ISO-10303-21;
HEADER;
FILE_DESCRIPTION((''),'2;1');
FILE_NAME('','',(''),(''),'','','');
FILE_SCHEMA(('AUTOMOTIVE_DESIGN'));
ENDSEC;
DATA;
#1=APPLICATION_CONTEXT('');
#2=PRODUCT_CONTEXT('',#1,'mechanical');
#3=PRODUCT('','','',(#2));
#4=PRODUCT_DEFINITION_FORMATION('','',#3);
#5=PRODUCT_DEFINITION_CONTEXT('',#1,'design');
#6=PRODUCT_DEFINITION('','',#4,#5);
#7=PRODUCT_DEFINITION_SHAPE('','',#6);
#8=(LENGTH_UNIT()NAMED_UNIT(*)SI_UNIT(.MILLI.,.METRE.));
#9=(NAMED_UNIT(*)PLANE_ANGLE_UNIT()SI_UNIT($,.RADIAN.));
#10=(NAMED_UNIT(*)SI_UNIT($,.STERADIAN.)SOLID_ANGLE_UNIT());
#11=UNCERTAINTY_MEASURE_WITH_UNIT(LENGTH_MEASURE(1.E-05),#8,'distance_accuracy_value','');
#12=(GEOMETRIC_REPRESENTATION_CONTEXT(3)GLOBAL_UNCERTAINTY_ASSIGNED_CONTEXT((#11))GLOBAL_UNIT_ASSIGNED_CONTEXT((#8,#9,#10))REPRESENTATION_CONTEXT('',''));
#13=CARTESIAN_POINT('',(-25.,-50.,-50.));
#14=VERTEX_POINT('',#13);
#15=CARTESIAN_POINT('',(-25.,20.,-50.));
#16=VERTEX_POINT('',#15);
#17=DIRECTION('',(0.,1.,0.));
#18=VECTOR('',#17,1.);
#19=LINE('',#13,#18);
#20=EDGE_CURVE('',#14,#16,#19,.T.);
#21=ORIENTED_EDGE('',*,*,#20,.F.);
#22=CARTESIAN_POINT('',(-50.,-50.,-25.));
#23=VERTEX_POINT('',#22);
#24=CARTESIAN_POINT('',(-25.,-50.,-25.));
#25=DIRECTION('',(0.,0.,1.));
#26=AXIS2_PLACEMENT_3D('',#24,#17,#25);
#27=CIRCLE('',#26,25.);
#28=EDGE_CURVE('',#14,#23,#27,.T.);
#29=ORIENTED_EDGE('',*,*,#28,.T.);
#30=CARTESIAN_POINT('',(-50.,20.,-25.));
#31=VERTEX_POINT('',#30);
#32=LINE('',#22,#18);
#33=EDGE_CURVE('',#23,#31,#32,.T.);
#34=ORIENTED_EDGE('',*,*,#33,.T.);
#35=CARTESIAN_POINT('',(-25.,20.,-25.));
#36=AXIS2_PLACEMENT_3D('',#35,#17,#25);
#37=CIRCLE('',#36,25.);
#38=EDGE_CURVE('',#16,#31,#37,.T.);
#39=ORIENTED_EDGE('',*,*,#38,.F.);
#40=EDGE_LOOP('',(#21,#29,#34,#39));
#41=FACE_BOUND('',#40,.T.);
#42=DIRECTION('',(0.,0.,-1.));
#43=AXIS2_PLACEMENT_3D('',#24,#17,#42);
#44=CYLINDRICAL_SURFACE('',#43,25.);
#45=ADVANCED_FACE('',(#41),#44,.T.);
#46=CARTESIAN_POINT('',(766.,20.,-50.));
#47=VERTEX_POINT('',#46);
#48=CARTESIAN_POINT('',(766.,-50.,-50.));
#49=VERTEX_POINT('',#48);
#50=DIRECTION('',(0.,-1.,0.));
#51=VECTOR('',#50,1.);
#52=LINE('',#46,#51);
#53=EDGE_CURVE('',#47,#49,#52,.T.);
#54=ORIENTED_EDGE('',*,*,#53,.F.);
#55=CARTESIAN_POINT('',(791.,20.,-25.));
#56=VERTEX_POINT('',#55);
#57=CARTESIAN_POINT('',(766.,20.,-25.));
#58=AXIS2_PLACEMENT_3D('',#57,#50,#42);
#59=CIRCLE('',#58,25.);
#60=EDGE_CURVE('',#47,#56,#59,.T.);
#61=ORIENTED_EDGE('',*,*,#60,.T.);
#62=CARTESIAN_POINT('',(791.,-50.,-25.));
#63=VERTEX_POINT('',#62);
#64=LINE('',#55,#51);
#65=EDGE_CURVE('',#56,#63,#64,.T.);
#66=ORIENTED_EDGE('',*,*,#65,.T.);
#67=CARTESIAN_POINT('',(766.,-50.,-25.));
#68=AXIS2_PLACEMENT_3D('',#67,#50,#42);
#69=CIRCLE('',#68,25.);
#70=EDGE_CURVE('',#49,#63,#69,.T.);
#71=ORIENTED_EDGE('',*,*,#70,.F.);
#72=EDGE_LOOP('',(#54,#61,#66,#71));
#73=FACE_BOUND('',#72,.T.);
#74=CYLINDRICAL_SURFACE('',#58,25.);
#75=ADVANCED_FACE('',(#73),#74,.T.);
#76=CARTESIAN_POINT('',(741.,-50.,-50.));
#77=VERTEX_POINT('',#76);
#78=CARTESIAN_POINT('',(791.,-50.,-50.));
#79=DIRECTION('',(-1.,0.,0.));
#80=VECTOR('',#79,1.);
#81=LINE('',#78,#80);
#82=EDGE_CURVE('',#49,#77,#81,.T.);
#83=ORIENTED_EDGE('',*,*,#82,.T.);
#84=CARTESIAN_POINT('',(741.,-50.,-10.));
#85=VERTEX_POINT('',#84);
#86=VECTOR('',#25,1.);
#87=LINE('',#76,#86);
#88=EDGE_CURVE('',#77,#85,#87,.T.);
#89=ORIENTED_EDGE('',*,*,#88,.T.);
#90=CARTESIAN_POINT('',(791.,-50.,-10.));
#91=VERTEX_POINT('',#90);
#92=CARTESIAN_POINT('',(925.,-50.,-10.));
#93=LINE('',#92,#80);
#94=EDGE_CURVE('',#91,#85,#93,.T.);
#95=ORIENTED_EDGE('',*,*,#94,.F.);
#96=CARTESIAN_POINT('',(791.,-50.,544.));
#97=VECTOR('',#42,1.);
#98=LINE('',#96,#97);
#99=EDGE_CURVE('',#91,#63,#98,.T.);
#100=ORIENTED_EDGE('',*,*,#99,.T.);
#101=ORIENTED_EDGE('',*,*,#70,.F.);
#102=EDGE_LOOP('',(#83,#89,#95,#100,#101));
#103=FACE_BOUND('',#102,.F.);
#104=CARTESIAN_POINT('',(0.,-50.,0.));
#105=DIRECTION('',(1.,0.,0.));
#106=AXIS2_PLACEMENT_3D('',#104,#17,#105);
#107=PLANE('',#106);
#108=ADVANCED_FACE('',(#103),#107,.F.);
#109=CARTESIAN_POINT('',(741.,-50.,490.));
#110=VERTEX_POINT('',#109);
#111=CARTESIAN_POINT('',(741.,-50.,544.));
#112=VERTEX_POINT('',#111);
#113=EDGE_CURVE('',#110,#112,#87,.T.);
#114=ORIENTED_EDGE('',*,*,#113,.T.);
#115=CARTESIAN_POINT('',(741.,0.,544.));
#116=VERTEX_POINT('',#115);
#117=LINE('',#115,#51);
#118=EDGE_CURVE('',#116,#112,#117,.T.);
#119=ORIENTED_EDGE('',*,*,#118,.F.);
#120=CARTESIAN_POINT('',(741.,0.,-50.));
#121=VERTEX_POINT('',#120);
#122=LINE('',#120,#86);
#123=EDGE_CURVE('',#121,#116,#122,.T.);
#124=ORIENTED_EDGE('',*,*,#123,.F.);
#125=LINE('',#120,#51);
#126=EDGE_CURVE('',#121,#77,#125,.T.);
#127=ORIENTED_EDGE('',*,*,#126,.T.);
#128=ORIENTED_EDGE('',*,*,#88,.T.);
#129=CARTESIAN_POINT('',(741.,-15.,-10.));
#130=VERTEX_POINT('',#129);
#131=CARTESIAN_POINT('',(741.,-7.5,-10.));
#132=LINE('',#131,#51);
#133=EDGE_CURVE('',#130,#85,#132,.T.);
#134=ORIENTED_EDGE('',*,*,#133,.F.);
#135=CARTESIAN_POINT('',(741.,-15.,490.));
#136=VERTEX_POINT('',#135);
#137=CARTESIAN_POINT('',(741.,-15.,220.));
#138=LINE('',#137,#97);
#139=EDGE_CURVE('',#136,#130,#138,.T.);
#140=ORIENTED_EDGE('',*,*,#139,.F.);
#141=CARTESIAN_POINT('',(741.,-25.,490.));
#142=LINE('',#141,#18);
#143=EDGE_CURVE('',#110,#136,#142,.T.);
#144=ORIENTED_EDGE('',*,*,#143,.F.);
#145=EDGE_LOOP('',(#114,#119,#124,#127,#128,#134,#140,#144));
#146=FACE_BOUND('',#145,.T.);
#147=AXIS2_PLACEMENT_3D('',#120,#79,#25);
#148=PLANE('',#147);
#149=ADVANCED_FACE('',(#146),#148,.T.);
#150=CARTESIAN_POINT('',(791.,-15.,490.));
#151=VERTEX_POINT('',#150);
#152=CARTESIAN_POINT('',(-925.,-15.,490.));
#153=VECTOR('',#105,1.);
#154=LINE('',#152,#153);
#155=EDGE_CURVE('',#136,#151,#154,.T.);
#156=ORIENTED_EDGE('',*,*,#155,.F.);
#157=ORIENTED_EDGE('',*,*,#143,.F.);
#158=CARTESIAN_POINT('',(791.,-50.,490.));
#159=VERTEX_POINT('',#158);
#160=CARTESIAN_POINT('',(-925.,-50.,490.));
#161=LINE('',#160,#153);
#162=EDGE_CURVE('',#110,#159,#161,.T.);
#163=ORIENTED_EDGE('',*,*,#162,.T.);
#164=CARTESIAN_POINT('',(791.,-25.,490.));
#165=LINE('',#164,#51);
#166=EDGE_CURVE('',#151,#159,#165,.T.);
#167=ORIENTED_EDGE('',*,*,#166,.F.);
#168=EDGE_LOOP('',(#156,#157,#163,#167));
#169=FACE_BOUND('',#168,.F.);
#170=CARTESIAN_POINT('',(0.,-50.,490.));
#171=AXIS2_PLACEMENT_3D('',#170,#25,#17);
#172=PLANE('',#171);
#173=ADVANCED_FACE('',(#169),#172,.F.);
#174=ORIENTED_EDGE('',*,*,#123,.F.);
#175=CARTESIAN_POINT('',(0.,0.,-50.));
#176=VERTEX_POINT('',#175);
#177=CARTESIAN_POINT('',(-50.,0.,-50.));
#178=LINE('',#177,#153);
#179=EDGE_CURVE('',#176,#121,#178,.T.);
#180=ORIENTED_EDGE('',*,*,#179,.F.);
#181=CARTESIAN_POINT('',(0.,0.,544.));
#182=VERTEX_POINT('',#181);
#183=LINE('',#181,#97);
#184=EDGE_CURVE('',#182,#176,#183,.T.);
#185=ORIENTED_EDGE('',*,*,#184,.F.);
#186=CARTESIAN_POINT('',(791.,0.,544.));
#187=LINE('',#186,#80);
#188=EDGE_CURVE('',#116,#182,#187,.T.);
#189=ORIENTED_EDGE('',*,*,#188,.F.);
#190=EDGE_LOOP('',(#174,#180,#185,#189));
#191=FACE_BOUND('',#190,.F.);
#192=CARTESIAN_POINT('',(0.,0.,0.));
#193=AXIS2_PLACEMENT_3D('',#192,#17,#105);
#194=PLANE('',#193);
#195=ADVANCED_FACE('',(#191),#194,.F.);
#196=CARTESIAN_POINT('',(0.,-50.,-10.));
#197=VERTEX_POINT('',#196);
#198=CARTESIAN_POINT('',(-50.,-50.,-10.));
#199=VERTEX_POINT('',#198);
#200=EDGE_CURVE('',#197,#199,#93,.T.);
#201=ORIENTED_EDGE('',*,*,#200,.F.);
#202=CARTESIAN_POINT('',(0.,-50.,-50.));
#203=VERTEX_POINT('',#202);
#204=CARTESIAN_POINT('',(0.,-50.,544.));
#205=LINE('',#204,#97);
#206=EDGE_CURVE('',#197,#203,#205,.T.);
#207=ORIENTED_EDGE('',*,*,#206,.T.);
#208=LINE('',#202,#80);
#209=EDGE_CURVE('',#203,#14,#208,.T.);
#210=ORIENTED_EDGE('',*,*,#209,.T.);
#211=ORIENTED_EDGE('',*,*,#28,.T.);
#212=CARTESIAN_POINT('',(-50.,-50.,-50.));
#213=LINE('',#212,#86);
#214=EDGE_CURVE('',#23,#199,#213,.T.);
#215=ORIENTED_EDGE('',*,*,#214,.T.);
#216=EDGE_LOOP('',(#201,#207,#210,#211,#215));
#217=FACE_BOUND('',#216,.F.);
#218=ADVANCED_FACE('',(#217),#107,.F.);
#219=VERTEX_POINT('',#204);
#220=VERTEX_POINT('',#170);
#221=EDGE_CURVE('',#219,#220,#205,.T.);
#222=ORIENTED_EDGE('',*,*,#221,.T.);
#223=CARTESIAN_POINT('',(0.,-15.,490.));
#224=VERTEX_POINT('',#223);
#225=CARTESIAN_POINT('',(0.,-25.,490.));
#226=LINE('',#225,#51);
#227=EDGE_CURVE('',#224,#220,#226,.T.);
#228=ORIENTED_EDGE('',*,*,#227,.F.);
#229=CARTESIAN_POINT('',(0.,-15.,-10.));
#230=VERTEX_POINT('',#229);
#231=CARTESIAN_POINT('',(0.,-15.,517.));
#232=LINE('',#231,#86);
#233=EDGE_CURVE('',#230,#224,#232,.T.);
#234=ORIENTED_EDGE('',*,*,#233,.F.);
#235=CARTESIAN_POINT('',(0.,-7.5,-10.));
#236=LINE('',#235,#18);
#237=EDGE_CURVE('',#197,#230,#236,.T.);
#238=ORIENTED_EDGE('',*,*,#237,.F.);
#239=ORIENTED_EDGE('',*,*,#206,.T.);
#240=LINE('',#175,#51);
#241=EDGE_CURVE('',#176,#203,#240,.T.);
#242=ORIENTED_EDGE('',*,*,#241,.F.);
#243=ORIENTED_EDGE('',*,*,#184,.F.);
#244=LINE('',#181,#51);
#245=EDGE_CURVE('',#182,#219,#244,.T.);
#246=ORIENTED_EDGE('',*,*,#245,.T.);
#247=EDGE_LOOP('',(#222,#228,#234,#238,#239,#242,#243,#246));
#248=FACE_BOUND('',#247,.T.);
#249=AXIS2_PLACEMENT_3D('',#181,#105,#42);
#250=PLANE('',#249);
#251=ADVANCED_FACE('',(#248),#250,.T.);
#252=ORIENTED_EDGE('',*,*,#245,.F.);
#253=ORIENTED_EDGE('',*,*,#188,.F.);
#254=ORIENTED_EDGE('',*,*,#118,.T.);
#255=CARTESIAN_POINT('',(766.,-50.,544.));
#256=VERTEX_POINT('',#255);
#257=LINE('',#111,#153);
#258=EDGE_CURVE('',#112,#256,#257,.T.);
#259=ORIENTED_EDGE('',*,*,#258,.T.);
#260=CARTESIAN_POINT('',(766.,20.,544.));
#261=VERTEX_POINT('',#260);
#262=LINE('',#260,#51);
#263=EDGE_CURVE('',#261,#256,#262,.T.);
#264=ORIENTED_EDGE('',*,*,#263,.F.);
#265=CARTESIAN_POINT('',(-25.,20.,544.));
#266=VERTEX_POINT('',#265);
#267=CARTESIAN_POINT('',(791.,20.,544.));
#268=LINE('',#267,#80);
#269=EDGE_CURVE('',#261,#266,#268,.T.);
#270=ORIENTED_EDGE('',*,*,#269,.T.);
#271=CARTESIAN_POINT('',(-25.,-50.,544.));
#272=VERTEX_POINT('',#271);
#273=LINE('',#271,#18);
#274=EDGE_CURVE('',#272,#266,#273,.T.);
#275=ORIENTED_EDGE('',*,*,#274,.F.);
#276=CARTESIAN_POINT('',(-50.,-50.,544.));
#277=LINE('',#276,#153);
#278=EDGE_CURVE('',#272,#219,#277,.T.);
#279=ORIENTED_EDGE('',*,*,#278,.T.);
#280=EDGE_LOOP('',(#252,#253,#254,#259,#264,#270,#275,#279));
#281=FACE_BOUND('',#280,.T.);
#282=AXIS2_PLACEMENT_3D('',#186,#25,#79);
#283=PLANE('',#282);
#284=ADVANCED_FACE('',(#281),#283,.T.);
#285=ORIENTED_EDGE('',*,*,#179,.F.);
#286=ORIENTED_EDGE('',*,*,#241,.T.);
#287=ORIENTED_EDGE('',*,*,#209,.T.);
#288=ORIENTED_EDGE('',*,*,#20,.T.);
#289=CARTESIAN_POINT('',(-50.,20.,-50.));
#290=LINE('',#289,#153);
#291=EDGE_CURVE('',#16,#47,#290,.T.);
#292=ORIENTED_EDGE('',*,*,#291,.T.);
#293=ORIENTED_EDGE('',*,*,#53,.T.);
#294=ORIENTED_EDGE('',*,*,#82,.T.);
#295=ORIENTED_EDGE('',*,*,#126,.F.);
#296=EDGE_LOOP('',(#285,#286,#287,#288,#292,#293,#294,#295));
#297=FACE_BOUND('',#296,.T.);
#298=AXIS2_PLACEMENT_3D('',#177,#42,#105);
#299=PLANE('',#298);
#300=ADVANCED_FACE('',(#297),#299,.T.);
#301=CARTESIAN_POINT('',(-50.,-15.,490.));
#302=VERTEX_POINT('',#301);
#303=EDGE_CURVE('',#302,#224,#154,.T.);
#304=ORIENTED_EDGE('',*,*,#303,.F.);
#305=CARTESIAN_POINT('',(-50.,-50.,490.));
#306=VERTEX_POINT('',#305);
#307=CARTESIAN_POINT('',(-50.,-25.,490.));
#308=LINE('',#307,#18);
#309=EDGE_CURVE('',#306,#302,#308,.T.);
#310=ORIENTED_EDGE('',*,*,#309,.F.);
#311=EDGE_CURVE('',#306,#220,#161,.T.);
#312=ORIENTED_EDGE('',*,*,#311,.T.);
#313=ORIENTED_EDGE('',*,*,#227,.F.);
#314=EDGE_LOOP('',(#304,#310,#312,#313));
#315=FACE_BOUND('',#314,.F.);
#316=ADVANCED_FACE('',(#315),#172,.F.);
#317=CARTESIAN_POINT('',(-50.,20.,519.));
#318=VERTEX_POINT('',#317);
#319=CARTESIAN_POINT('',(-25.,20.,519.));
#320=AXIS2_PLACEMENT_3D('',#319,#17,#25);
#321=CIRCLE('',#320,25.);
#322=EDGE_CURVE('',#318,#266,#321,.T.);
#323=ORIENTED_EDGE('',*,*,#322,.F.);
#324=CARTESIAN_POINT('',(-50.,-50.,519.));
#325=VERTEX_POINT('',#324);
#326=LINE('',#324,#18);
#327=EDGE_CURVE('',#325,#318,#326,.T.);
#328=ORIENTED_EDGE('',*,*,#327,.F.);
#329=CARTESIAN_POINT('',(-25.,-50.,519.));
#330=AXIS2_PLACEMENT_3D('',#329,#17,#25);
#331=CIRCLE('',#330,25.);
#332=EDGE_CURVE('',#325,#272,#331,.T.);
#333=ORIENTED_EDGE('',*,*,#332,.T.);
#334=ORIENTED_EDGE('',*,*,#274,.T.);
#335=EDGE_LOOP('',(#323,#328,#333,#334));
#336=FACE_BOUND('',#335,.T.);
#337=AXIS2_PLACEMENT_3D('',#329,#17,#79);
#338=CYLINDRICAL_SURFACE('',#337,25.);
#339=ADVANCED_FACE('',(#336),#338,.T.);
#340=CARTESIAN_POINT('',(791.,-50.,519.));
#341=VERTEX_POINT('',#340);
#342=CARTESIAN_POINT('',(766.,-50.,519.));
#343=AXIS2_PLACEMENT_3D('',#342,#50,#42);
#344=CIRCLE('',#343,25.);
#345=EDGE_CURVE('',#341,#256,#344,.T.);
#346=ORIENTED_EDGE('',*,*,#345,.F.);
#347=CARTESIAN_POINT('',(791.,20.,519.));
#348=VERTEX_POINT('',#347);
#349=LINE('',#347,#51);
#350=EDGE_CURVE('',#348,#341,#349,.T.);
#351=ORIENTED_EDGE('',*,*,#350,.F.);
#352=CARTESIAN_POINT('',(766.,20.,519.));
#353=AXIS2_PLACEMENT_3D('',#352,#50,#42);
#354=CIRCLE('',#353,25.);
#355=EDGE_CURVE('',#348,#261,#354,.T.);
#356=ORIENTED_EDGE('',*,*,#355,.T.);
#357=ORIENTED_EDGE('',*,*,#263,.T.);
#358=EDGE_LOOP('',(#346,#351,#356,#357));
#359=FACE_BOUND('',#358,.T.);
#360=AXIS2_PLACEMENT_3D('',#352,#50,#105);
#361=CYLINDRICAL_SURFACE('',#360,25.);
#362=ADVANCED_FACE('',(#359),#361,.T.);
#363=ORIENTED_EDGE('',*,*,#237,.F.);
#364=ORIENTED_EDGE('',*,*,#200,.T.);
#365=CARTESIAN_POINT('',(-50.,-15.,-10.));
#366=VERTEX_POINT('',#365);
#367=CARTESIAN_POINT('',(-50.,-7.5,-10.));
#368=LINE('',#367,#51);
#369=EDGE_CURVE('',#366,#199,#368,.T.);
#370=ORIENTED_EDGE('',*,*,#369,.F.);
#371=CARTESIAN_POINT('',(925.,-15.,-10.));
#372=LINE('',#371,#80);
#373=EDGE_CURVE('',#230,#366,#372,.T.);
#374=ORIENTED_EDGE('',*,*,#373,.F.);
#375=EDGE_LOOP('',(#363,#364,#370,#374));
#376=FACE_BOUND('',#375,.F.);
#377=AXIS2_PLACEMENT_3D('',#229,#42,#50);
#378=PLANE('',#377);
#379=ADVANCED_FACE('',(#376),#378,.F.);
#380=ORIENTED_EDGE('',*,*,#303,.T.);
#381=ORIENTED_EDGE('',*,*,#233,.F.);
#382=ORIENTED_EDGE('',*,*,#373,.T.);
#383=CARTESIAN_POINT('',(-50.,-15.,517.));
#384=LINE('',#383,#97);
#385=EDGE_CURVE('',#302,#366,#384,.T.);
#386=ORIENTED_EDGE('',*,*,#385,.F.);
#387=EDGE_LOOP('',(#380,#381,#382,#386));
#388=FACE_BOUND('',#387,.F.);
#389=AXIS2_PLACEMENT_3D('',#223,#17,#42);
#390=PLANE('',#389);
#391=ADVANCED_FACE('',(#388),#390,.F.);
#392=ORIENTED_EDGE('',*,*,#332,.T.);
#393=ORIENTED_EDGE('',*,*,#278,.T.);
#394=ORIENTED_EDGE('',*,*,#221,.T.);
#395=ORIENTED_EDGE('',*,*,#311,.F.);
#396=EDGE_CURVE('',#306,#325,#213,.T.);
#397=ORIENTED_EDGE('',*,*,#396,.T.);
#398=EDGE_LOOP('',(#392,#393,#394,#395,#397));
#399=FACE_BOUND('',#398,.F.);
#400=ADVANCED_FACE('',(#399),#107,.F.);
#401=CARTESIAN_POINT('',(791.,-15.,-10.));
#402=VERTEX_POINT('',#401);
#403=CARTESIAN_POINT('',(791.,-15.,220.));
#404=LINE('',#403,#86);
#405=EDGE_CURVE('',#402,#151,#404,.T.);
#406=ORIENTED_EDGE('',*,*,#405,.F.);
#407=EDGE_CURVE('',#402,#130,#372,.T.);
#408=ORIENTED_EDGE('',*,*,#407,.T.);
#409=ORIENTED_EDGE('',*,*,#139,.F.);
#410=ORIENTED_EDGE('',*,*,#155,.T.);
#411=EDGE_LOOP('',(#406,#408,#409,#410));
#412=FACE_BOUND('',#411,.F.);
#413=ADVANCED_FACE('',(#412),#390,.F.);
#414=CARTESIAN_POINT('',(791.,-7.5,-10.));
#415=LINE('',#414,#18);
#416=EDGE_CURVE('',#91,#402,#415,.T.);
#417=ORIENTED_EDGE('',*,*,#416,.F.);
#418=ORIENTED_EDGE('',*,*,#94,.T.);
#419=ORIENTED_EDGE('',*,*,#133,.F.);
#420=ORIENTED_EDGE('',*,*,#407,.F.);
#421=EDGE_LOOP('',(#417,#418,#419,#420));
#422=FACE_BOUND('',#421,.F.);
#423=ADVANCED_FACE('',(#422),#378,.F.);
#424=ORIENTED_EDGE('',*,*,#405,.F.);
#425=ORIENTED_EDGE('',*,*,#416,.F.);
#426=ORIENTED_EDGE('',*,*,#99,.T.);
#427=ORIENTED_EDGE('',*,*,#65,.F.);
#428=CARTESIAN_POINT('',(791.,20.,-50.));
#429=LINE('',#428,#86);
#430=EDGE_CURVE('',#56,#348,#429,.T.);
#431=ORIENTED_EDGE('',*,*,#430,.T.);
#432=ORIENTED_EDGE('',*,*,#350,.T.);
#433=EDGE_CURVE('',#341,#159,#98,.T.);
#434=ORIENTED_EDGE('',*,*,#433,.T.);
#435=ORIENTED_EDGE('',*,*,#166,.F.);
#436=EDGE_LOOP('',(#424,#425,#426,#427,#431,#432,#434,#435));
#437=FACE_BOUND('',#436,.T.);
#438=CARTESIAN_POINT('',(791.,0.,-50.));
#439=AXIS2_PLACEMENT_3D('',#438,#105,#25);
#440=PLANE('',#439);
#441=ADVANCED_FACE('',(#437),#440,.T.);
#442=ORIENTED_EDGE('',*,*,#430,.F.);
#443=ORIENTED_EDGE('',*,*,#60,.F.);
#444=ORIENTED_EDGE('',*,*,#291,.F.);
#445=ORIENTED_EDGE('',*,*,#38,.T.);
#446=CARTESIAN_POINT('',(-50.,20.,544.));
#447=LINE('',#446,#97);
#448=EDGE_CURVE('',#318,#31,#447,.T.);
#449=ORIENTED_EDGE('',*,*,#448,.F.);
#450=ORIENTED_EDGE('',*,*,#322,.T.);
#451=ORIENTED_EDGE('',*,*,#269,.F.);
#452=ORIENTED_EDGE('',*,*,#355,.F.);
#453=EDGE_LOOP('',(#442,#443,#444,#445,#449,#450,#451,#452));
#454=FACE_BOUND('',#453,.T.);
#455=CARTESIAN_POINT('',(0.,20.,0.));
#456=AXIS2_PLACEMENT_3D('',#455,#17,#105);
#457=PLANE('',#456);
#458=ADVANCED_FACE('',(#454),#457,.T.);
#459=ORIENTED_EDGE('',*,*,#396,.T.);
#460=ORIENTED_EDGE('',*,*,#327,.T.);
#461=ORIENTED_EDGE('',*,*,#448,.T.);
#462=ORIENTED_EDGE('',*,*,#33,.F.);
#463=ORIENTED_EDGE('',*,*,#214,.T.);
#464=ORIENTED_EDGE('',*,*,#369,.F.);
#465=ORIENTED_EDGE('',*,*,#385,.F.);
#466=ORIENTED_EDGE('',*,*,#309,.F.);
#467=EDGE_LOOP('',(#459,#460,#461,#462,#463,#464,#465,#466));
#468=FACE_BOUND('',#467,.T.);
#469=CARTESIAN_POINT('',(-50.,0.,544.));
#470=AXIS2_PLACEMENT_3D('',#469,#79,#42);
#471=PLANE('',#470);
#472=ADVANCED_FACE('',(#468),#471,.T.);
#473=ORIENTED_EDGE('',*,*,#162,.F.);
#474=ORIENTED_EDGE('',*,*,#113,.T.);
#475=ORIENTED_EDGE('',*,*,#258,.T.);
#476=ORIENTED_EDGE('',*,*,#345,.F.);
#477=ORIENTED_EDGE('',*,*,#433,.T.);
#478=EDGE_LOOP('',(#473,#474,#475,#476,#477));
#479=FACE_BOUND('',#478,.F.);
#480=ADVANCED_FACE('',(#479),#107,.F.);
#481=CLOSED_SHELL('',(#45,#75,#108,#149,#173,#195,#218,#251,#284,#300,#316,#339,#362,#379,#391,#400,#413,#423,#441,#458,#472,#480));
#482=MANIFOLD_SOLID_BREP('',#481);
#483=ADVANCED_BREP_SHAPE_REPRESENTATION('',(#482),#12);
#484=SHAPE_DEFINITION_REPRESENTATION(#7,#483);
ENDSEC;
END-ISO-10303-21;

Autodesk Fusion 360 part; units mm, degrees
sketch "Esquisse1" plane through (0, 0, 0) normal (0, 1, 0) x (1, 0, 0)
  line L0 (-50, 50) -> (791, 50)
  line L1 (791, 50) -> (791, -544)
  line L2 (791, -544) -> (-50, -544)
  line L3 (-50, -544) -> (-50, 50)
  dimension "d1" = 594
  dimension "d2" = 841
extrude "Extrusion1" add sketch "Esquisse1" along normal blind 20
sketch "Esquisse3" plane through (0, 0, 0) normal (0, 1, 0) x (1, 0, 0)
  line L0 (-50, -544) -> (0, -544)
  line L1 (0, -544) -> (0, 50)
  line L2 (0, 50) -> (-50, 50)
  line L3 (-50, 50) -> (-50, -544)
  line L4 (741, -544) -> (791, -544)
  line L5 (791, -544) -> (791, 50)
  line L6 (791, 50) -> (741, 50)
  line L7 (741, 50) -> (741, -544)
  point P0 (-50, -544)
  point P1 (791, -544)
  point P2 (-25, -247)
  point P3 (766, -247)
  dimension "d7" = 50
  dimension "d8" = 594
  dimension "d9" = 50
  dimension "d10" = 594
extrude "Extrusion2" add sketch "Esquisse3" against normal blind 50
sketch "Esquisse8" plane through (0, 0, 0) normal (1, 0, 0) x (0, 0, -1)
  line L0 (-490, -15) -> (10, -15)
  line L1 (10, -15) -> (10, -50)
  line L2 (10, -50) -> (-490, -50)
  line L3 (-490, -50) -> (-490, -15)
  dimension "d17" = 35
  dimension "d18" = 500
extrude "Extrusion3" cut sketch "Esquisse8" along normal mid plane 1850
fillet "Congé1" radius 25 4 edges at (-50, -15, 544) (-50, -15, -50) (791, -15, 544) (791, -15, -50)
